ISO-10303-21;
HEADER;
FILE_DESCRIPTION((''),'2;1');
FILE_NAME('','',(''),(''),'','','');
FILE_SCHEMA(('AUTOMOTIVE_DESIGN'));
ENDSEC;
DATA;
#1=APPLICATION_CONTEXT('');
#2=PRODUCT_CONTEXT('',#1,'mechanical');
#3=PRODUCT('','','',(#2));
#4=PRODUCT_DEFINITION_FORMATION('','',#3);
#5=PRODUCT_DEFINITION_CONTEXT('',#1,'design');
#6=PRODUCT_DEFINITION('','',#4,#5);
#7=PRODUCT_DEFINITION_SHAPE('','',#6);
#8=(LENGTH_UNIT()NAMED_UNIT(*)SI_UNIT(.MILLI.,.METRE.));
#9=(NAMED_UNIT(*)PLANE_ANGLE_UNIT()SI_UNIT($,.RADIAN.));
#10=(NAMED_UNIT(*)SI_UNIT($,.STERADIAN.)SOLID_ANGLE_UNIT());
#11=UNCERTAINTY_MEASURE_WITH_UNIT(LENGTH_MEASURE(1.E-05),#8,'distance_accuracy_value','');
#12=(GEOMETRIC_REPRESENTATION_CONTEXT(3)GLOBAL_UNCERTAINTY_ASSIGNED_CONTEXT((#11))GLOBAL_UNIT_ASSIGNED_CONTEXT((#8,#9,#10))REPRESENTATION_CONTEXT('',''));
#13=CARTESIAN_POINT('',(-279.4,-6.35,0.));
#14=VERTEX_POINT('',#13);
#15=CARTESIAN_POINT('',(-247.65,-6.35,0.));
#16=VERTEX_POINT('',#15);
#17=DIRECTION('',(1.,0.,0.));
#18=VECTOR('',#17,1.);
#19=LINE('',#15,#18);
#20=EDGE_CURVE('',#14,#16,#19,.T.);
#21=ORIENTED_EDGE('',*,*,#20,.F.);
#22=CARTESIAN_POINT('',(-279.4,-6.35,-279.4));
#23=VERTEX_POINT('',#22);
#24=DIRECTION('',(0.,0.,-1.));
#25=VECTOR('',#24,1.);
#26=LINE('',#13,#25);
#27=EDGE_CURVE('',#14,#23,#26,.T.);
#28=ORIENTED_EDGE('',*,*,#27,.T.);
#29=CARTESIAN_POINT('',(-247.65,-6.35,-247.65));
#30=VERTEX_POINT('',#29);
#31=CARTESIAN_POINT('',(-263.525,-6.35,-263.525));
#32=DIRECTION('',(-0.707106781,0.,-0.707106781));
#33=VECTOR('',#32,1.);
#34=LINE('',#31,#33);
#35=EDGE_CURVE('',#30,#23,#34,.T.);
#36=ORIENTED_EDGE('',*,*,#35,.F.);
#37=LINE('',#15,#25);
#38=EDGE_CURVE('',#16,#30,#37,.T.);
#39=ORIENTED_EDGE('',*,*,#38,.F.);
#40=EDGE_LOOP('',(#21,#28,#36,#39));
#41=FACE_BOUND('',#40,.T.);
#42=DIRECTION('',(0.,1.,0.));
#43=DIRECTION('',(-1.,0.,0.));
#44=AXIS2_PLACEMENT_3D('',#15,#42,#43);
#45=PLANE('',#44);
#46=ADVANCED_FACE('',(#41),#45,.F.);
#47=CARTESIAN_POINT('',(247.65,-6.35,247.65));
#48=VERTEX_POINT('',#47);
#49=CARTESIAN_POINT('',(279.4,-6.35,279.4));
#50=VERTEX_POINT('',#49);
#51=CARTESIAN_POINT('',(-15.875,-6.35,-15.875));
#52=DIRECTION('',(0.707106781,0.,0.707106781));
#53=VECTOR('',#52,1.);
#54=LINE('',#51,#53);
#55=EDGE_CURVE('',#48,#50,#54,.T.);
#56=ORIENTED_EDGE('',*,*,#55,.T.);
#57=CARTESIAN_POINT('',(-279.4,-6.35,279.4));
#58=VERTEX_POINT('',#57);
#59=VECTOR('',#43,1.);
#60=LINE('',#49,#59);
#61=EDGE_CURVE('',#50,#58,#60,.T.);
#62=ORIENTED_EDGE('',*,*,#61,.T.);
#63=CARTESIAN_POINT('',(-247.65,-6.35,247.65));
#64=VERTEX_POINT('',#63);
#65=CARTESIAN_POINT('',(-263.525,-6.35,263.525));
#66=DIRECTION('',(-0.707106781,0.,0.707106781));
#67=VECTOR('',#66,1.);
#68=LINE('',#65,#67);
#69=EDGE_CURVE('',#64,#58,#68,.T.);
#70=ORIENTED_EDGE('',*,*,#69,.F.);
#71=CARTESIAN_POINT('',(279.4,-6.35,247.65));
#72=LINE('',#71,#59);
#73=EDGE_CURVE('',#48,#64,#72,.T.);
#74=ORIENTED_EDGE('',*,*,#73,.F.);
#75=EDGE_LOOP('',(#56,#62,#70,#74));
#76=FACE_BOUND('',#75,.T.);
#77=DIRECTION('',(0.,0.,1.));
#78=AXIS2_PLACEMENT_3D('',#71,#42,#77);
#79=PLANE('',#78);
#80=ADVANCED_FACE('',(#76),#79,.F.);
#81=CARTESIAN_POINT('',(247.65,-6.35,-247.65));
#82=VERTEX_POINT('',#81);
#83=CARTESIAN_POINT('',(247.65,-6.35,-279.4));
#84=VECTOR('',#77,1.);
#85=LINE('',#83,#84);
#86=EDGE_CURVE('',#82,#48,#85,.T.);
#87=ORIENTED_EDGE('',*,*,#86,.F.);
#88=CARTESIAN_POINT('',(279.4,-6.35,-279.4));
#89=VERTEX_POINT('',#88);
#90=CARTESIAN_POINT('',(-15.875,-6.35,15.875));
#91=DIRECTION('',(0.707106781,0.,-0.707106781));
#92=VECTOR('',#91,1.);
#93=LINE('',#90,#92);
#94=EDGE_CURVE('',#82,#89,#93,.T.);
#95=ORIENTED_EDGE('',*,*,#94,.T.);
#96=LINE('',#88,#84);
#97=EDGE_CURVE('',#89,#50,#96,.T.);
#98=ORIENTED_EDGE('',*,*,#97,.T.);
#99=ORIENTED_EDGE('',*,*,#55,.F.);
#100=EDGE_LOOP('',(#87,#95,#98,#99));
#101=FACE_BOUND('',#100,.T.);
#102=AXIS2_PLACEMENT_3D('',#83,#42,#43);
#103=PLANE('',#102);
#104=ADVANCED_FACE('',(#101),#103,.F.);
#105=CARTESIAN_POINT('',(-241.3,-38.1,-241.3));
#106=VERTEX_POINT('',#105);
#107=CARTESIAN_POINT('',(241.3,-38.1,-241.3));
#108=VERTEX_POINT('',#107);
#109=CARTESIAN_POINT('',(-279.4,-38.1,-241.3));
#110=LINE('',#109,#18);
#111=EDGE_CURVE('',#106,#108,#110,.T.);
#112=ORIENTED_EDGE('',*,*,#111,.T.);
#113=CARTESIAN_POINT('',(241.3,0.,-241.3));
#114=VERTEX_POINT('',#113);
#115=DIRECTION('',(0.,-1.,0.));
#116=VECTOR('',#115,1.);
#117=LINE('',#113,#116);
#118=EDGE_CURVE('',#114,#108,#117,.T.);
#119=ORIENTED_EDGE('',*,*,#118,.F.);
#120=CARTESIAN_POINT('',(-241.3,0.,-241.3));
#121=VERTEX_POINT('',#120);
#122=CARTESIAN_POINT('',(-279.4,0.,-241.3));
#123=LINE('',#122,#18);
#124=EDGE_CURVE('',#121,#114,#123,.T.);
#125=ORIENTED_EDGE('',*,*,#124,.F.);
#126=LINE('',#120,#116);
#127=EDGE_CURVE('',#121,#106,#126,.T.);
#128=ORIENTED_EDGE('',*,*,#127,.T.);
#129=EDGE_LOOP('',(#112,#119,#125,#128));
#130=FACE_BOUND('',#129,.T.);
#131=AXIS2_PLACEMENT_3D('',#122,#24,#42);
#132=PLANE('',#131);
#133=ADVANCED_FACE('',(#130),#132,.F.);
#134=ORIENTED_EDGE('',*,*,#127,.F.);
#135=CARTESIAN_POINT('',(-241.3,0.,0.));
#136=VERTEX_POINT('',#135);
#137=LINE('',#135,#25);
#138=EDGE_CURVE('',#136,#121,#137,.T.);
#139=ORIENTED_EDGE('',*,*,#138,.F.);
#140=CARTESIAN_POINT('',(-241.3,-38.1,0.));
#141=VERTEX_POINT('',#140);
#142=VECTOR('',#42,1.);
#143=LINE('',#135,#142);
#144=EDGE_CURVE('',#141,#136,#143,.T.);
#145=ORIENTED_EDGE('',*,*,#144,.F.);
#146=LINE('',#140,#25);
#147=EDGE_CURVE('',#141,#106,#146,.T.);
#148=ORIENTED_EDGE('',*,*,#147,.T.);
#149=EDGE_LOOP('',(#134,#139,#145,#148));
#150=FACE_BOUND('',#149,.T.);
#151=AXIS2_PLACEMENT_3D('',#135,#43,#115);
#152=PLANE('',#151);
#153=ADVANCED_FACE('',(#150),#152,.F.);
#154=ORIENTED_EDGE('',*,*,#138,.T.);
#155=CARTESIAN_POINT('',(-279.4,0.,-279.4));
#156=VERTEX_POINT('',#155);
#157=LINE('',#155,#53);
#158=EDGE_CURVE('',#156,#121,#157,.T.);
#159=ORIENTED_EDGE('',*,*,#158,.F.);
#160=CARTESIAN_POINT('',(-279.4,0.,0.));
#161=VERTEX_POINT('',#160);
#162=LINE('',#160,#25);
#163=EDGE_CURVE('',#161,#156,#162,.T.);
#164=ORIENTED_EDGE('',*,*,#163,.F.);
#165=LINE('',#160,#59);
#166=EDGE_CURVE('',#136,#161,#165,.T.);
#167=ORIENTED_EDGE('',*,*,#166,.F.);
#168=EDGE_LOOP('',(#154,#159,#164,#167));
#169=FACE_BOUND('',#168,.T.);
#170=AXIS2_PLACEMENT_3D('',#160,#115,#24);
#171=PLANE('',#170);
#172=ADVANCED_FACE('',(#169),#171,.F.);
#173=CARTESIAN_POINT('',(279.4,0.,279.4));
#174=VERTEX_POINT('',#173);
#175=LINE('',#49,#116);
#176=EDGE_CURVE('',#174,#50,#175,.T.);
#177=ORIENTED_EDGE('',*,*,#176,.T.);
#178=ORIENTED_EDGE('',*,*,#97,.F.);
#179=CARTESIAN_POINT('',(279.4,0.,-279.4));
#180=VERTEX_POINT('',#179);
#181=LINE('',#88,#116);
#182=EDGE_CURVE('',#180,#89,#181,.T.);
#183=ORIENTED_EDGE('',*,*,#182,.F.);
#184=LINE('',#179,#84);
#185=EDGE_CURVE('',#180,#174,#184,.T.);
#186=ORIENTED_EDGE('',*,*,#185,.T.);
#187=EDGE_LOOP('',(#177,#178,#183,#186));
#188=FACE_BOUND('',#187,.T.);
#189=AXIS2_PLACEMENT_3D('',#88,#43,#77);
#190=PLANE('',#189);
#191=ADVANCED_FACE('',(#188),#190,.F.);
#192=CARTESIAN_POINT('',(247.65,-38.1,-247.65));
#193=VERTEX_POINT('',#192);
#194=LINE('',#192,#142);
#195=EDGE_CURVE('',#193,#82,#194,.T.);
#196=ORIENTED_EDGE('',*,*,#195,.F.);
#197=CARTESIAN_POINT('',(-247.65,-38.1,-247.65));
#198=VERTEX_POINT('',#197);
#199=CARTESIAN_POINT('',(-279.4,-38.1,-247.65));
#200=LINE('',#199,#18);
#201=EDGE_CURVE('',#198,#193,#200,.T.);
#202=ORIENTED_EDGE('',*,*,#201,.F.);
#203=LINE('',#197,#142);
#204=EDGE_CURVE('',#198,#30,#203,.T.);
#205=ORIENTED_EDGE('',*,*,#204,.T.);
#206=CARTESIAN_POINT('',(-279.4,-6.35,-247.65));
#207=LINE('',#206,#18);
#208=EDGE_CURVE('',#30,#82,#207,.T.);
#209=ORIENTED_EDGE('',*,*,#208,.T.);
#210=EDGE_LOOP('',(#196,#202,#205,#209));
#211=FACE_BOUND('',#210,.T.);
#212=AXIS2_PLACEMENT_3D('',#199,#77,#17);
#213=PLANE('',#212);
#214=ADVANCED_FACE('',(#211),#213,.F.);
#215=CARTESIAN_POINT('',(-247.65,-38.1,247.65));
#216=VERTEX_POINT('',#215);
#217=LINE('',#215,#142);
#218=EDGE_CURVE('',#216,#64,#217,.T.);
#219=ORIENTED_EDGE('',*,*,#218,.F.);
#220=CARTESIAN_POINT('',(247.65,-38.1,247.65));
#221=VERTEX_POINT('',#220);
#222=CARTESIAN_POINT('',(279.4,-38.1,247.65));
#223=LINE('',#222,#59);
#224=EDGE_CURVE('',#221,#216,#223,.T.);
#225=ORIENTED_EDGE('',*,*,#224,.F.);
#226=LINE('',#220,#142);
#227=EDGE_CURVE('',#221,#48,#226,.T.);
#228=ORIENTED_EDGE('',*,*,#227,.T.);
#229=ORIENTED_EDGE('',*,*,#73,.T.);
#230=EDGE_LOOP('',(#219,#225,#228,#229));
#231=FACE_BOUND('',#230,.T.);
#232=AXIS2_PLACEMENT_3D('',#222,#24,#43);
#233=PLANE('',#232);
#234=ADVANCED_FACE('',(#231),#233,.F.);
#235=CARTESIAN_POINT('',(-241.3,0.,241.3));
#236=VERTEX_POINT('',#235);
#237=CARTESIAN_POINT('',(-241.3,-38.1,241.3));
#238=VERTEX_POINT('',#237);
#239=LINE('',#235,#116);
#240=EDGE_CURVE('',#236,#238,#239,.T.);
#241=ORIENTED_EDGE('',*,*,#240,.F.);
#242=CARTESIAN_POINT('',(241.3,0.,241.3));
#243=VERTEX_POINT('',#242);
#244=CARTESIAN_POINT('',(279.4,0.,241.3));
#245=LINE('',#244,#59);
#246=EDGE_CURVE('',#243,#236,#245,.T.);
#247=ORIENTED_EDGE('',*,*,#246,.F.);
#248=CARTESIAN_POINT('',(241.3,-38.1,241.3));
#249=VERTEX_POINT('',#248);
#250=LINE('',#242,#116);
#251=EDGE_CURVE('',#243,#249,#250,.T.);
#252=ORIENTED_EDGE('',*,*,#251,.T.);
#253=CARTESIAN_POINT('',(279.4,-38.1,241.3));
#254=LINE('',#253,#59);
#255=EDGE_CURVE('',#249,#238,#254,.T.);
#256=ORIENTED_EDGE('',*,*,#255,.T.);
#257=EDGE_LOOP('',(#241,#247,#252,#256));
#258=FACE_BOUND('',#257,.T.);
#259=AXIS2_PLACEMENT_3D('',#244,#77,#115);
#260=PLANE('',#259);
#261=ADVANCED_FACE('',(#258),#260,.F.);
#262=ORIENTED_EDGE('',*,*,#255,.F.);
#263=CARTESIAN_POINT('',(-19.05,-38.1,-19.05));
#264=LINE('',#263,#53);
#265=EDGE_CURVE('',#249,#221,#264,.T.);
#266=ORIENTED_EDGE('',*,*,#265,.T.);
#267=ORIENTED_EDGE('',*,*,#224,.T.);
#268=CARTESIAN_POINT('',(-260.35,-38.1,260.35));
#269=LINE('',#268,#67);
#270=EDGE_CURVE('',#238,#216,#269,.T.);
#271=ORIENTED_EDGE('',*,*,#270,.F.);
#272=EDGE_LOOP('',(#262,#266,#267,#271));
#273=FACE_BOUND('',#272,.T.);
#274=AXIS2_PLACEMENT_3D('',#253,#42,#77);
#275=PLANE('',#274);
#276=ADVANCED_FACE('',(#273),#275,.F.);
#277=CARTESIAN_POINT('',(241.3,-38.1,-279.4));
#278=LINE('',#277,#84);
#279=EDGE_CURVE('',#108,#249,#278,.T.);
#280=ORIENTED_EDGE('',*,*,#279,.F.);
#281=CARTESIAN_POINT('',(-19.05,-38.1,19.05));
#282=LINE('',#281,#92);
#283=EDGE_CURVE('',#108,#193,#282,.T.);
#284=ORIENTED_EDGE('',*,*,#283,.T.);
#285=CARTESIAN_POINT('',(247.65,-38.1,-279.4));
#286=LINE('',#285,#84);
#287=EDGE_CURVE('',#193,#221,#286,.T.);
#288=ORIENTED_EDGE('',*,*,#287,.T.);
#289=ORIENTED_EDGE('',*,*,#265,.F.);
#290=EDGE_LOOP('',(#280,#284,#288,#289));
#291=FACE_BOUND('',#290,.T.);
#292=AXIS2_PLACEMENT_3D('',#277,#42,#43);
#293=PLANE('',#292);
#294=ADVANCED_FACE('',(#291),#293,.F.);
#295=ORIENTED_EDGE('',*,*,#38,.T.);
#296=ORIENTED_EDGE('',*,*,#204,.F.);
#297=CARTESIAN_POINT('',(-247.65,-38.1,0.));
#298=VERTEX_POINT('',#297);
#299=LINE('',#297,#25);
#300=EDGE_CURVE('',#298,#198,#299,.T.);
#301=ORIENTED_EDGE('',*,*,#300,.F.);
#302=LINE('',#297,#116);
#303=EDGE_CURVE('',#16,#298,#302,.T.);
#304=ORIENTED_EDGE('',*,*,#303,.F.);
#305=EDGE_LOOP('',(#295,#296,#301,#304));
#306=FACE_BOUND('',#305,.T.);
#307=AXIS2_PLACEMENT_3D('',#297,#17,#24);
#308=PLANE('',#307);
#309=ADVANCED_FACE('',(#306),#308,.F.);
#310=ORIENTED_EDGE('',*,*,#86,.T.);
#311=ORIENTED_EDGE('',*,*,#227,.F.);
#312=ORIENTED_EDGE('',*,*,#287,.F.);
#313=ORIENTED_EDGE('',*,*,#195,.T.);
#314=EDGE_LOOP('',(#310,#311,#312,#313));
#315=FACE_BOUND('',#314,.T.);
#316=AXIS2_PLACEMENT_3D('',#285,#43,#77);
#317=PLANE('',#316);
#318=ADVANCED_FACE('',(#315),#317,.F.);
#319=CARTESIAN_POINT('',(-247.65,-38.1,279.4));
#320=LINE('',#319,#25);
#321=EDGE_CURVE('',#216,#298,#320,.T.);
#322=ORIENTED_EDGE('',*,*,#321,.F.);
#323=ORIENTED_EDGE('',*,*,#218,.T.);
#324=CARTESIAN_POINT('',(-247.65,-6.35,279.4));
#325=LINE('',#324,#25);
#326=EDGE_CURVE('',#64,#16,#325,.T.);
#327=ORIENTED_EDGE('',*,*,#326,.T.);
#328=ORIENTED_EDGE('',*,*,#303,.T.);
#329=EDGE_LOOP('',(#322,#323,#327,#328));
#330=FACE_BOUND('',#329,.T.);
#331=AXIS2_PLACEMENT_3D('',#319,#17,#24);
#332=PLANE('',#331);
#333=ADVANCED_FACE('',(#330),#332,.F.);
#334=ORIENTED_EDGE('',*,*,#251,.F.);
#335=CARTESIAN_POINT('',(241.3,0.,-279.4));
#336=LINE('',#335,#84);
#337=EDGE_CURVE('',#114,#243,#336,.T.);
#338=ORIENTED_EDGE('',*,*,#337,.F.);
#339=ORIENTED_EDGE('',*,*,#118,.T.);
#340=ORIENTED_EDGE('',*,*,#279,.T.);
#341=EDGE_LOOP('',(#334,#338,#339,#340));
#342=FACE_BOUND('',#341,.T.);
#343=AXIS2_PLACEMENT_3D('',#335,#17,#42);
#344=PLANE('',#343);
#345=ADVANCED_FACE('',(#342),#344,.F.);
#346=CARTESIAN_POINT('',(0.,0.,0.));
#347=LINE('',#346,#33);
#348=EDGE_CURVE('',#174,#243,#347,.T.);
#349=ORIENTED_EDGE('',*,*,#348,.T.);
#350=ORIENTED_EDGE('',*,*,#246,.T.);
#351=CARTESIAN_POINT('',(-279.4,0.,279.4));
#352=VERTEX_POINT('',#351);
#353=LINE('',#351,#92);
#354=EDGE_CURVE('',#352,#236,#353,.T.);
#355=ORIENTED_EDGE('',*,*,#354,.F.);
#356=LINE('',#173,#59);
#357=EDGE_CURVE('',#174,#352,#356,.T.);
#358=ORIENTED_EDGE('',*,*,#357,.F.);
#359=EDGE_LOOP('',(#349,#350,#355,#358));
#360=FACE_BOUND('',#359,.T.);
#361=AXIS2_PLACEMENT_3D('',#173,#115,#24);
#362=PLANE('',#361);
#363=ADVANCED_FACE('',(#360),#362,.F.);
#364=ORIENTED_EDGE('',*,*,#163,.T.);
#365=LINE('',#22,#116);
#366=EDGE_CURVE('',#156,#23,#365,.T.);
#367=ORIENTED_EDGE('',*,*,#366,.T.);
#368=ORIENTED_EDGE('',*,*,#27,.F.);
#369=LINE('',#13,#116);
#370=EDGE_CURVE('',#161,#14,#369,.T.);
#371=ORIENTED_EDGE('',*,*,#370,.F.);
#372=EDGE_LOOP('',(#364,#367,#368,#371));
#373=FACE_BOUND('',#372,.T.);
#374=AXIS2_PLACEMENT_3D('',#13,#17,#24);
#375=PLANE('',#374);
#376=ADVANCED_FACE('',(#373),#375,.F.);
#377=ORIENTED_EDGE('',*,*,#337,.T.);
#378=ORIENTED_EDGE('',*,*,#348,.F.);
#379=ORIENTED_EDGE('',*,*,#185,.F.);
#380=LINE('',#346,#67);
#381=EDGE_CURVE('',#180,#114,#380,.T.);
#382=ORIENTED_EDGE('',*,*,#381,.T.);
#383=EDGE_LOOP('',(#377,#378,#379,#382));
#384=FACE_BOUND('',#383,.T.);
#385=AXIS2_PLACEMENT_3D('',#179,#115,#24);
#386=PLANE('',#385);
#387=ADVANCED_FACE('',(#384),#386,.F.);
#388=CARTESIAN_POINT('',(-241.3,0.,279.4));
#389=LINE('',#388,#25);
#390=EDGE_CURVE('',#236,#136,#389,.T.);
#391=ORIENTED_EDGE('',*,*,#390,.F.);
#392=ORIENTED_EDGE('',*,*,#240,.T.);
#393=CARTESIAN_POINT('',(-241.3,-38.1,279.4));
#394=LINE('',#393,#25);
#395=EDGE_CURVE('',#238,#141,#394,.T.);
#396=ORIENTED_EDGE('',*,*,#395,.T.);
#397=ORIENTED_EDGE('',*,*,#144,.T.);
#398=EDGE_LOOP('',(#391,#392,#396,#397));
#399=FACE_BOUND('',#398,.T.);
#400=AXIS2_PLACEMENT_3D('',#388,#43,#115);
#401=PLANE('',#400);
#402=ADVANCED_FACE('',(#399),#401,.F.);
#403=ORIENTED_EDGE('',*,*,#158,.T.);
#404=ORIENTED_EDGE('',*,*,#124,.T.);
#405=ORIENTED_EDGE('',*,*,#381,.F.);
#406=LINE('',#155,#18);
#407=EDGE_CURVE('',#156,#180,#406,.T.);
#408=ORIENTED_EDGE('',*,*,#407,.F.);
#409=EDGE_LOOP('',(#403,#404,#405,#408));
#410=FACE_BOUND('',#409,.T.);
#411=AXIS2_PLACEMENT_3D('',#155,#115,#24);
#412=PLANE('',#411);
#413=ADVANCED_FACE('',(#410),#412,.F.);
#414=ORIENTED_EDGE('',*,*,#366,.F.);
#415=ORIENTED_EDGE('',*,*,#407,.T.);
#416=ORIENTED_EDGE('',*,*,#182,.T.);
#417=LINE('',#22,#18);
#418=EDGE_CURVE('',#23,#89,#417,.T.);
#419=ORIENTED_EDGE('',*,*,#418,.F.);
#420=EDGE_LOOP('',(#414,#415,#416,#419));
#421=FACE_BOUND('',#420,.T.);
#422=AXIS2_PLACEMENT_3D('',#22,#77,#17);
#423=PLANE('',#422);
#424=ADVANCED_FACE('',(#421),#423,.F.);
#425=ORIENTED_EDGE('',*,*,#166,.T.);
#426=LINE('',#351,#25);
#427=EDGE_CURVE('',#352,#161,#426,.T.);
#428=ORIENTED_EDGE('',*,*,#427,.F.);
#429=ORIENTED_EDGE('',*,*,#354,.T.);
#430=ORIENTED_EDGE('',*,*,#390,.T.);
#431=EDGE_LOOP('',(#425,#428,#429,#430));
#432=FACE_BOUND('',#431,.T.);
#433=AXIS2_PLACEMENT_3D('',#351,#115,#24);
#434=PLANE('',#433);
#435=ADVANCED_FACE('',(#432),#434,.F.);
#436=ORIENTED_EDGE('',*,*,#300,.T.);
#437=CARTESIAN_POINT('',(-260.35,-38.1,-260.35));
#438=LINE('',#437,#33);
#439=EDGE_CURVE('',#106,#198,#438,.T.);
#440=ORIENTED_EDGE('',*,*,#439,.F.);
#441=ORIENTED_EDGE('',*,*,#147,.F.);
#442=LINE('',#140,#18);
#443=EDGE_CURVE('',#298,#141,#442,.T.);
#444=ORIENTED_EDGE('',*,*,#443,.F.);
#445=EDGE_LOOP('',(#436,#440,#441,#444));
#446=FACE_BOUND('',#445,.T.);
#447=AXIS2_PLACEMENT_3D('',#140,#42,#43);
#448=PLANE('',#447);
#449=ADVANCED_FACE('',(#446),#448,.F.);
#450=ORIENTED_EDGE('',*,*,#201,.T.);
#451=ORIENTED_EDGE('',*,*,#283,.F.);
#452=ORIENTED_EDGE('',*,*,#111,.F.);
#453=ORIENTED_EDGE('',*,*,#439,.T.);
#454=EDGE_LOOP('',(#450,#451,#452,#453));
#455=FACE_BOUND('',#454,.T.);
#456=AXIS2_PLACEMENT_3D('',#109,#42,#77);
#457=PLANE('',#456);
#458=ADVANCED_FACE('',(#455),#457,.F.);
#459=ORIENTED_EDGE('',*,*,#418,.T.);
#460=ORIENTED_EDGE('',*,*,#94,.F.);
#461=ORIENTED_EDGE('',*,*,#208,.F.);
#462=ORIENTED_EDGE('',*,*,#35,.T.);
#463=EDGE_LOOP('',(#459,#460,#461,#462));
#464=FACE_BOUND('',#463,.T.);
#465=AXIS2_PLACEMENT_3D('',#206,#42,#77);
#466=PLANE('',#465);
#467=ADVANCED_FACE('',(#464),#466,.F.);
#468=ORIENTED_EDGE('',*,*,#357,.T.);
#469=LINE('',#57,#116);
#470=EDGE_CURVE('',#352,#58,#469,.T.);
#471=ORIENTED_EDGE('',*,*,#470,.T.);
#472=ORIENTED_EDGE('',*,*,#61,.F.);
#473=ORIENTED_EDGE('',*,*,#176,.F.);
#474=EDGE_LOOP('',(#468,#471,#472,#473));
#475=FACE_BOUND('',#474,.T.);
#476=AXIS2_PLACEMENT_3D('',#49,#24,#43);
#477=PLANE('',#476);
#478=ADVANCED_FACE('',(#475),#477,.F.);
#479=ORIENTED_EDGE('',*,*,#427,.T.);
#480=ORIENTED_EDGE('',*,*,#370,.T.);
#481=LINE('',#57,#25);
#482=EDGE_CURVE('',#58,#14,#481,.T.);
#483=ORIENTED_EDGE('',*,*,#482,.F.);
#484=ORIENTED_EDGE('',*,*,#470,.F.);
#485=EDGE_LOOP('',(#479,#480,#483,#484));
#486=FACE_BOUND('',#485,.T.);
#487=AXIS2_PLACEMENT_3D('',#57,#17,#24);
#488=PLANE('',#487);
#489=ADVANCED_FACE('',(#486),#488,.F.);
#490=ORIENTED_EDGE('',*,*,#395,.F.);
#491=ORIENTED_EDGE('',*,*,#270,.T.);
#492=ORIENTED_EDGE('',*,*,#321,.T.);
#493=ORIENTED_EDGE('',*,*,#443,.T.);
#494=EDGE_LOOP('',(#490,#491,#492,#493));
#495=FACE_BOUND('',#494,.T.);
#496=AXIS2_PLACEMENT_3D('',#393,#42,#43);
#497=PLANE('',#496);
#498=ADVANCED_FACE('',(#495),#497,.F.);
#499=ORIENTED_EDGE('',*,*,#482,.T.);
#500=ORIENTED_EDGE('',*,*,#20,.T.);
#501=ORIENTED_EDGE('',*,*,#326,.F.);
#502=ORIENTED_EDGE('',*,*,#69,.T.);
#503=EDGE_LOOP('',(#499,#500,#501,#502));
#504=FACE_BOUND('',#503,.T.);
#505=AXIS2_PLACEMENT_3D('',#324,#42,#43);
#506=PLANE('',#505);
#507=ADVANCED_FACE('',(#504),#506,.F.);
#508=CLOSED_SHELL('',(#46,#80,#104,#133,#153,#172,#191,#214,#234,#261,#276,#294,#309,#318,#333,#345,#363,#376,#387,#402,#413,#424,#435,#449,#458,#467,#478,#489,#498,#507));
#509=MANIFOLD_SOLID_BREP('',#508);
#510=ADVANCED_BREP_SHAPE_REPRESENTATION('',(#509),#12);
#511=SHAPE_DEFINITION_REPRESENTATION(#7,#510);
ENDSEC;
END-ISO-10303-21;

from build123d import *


with BuildPart() as part:
    # Sweep1: sweep along a path in Sketch1
    with BuildLine(Plane(origin=(0, 0, 0), x_dir=(1, 0, 0), z_dir=(0, 1, 0))) as sweep1_path:
        Line((279.4, -279.4), (-279.4, -279.4))
        Line((-279.4, -279.4), (-279.4, 279.4))
        Line((-279.4, 279.4), (279.4, 279.4))
        Line((279.4, 279.4), (279.4, -279.4))
    # Sketch2 → Sweep1 (sweep)
    with BuildSketch(Plane.XY):
        Polygon((-279.4, 0), (-241.3, 0), (-241.3, -38.1), (-247.65, -38.1), (-247.65, -6.35), (-279.4, -6.35), align=None)
    sweep(path=sweep1_path.line, transition=Transition.RIGHT)


solid = part.part
